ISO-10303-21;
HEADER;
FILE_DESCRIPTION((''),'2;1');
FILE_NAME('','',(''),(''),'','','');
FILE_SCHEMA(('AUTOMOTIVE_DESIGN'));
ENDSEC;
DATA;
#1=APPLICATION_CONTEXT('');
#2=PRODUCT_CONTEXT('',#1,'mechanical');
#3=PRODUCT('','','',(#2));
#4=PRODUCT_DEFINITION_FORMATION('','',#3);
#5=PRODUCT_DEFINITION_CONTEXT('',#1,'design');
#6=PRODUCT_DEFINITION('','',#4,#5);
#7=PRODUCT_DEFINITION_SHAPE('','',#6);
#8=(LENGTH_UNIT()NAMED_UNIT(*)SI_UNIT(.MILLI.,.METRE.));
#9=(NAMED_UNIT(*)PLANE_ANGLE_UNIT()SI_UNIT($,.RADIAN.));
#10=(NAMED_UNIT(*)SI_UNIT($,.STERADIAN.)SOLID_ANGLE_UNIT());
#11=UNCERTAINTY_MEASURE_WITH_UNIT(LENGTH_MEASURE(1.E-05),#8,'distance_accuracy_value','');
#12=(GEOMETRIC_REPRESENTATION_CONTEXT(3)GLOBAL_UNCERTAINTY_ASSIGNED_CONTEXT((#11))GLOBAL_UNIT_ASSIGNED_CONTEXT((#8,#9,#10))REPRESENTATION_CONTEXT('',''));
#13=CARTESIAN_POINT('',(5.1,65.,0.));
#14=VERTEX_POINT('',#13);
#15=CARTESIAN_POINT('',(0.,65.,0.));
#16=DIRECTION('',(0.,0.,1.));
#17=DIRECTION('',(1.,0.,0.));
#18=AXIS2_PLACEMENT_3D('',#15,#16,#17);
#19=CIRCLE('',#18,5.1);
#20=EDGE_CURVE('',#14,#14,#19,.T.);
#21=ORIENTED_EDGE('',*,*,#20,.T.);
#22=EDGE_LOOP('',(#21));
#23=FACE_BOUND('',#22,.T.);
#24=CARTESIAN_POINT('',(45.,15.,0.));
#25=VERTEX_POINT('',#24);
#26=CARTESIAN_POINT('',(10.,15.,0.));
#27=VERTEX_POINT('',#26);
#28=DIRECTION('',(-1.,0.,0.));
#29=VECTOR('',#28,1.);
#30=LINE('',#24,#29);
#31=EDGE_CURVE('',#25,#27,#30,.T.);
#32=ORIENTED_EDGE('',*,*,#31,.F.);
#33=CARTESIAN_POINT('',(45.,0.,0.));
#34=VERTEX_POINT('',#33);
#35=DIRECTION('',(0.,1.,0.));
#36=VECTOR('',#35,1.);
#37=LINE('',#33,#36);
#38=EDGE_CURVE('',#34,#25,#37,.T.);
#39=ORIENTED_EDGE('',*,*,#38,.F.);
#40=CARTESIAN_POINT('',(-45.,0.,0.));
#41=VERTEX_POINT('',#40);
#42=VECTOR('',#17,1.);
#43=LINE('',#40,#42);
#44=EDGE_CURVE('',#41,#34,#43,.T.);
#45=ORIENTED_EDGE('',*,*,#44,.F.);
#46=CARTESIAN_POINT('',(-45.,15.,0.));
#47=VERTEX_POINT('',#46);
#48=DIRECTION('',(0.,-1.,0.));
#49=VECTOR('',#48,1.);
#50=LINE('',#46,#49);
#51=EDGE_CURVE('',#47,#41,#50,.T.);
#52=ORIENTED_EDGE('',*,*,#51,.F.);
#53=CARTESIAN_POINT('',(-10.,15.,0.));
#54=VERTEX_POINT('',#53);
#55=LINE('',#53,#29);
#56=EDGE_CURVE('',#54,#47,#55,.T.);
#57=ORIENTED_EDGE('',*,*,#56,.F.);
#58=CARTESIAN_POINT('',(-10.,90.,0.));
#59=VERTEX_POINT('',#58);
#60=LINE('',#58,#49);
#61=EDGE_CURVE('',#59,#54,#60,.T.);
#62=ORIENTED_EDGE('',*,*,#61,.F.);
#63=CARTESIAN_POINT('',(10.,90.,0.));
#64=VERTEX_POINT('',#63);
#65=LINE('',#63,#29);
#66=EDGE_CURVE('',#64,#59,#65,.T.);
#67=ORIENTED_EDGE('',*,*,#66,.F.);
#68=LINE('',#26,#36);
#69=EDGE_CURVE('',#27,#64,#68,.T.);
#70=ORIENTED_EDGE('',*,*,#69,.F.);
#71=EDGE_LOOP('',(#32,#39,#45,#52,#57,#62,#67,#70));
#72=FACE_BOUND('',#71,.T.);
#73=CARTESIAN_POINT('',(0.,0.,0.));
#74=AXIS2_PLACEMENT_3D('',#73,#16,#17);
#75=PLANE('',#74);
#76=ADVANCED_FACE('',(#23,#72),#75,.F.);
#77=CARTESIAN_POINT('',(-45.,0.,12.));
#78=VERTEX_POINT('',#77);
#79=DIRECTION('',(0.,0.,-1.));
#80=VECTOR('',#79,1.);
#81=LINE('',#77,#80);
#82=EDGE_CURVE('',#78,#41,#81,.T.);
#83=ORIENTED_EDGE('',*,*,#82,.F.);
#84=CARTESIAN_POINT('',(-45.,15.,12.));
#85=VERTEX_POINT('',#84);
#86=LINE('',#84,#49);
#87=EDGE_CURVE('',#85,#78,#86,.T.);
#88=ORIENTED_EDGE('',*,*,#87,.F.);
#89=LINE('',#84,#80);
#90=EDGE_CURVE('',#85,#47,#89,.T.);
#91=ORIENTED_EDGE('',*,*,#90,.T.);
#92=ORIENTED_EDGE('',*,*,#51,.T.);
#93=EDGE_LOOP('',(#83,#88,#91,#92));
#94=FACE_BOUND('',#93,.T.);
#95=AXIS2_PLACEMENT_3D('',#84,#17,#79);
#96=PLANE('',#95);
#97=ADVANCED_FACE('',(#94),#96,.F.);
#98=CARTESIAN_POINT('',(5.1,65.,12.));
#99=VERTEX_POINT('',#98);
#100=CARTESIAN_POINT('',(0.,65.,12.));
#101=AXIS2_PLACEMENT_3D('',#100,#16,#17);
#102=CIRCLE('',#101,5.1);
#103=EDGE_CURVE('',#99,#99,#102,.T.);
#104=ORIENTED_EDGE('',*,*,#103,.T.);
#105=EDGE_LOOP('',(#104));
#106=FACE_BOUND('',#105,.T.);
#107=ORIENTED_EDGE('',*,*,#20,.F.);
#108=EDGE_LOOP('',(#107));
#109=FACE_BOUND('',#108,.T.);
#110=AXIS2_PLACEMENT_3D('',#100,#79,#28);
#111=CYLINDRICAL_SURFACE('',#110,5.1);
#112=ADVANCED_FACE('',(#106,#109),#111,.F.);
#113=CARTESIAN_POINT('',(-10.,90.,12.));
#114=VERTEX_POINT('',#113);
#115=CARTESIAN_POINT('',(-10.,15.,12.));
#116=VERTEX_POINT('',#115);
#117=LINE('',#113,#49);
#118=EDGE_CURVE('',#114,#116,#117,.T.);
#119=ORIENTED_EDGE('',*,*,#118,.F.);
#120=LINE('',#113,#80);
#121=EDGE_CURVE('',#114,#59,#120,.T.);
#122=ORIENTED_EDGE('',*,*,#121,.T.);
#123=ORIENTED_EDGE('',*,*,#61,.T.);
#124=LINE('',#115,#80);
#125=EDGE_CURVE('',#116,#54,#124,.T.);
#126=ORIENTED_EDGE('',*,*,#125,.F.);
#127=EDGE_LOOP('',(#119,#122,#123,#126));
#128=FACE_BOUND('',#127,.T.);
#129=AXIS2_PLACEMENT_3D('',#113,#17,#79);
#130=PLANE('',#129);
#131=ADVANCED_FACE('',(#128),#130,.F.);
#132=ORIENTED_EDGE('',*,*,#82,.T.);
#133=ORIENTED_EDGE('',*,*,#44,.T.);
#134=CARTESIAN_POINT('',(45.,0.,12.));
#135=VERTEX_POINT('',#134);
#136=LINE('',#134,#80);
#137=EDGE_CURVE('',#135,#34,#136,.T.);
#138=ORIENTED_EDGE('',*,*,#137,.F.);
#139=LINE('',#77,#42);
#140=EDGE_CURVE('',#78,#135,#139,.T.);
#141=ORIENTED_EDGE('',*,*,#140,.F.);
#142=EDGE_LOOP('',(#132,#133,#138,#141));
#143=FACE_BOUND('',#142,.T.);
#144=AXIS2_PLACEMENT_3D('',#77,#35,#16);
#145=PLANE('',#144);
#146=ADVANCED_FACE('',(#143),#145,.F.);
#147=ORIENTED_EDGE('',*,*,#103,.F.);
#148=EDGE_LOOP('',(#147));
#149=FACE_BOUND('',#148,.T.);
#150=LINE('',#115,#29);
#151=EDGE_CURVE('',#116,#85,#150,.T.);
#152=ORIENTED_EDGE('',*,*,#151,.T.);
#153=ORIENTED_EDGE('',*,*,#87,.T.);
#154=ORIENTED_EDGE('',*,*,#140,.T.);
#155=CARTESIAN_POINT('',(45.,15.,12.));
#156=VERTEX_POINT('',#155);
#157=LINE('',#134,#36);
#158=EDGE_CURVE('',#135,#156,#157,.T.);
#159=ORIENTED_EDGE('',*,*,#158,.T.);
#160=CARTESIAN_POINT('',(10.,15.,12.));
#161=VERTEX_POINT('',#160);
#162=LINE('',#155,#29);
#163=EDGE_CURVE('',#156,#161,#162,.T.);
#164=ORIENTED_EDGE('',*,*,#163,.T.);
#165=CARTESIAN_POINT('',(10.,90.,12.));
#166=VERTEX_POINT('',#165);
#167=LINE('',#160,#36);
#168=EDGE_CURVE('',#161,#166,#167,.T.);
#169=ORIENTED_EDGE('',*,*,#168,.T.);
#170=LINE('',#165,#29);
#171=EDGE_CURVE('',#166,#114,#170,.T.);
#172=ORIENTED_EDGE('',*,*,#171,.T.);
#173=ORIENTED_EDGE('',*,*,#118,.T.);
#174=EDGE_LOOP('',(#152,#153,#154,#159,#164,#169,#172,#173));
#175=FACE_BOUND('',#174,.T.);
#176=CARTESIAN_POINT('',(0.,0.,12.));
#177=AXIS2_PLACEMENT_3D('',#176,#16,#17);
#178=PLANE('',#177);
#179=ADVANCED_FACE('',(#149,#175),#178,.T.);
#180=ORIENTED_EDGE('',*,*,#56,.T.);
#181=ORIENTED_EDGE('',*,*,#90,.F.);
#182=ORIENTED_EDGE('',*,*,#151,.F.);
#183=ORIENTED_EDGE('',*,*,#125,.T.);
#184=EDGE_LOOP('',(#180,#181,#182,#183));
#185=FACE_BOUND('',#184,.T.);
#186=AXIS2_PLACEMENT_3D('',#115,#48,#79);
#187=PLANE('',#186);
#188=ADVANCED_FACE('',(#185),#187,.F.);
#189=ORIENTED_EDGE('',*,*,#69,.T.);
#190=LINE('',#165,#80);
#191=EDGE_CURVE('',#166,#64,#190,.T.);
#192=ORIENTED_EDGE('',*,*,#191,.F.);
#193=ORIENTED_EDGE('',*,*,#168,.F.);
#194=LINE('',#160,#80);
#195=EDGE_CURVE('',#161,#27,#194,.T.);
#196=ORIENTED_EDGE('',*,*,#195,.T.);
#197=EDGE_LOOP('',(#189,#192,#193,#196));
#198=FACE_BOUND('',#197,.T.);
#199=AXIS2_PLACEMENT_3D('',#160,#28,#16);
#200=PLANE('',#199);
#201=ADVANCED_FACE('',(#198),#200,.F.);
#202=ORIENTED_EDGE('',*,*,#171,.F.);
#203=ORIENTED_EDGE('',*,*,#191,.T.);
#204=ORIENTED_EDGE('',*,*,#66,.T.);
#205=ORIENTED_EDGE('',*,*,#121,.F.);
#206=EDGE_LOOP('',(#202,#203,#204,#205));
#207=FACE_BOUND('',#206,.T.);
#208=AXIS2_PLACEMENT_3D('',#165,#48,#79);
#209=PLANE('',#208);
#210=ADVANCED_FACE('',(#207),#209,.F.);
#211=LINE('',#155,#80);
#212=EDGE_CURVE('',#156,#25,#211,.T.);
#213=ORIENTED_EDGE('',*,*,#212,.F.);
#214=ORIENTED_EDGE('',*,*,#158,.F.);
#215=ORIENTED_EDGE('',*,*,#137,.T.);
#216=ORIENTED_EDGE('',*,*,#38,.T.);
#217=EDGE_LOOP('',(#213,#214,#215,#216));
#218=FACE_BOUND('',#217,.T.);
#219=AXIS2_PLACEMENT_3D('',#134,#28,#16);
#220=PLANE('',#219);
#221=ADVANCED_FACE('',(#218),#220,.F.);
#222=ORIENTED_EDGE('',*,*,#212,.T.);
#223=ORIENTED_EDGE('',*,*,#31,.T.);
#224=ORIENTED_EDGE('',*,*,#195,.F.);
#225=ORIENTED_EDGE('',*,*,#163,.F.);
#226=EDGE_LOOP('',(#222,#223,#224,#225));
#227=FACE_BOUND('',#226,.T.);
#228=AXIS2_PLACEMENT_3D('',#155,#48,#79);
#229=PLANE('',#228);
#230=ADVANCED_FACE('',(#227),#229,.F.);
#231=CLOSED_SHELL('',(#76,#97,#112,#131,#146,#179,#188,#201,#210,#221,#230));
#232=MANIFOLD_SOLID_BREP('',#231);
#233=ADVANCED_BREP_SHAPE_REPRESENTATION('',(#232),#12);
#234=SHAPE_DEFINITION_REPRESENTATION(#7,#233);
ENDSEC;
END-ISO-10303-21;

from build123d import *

# Parameters (mm, degrees)
SKETCH_1_R      = 5.1
EXTRUDE_1_DEPTH = 12


with BuildPart() as part:
    # 草图1 → 凸台-拉伸1 (new body)
    with BuildSketch(Plane.XY):
        Polygon((-45, 0), (45, 0), (45, 15), (10, 15), (10, 90), (-10, 90), (-10, 15), (-45, 15), align=None)
        with Locations((0, 65)):
            Circle(SKETCH_1_R, mode=Mode.SUBTRACT)
    extrude(amount=EXTRUDE_1_DEPTH)


solid = part.part
